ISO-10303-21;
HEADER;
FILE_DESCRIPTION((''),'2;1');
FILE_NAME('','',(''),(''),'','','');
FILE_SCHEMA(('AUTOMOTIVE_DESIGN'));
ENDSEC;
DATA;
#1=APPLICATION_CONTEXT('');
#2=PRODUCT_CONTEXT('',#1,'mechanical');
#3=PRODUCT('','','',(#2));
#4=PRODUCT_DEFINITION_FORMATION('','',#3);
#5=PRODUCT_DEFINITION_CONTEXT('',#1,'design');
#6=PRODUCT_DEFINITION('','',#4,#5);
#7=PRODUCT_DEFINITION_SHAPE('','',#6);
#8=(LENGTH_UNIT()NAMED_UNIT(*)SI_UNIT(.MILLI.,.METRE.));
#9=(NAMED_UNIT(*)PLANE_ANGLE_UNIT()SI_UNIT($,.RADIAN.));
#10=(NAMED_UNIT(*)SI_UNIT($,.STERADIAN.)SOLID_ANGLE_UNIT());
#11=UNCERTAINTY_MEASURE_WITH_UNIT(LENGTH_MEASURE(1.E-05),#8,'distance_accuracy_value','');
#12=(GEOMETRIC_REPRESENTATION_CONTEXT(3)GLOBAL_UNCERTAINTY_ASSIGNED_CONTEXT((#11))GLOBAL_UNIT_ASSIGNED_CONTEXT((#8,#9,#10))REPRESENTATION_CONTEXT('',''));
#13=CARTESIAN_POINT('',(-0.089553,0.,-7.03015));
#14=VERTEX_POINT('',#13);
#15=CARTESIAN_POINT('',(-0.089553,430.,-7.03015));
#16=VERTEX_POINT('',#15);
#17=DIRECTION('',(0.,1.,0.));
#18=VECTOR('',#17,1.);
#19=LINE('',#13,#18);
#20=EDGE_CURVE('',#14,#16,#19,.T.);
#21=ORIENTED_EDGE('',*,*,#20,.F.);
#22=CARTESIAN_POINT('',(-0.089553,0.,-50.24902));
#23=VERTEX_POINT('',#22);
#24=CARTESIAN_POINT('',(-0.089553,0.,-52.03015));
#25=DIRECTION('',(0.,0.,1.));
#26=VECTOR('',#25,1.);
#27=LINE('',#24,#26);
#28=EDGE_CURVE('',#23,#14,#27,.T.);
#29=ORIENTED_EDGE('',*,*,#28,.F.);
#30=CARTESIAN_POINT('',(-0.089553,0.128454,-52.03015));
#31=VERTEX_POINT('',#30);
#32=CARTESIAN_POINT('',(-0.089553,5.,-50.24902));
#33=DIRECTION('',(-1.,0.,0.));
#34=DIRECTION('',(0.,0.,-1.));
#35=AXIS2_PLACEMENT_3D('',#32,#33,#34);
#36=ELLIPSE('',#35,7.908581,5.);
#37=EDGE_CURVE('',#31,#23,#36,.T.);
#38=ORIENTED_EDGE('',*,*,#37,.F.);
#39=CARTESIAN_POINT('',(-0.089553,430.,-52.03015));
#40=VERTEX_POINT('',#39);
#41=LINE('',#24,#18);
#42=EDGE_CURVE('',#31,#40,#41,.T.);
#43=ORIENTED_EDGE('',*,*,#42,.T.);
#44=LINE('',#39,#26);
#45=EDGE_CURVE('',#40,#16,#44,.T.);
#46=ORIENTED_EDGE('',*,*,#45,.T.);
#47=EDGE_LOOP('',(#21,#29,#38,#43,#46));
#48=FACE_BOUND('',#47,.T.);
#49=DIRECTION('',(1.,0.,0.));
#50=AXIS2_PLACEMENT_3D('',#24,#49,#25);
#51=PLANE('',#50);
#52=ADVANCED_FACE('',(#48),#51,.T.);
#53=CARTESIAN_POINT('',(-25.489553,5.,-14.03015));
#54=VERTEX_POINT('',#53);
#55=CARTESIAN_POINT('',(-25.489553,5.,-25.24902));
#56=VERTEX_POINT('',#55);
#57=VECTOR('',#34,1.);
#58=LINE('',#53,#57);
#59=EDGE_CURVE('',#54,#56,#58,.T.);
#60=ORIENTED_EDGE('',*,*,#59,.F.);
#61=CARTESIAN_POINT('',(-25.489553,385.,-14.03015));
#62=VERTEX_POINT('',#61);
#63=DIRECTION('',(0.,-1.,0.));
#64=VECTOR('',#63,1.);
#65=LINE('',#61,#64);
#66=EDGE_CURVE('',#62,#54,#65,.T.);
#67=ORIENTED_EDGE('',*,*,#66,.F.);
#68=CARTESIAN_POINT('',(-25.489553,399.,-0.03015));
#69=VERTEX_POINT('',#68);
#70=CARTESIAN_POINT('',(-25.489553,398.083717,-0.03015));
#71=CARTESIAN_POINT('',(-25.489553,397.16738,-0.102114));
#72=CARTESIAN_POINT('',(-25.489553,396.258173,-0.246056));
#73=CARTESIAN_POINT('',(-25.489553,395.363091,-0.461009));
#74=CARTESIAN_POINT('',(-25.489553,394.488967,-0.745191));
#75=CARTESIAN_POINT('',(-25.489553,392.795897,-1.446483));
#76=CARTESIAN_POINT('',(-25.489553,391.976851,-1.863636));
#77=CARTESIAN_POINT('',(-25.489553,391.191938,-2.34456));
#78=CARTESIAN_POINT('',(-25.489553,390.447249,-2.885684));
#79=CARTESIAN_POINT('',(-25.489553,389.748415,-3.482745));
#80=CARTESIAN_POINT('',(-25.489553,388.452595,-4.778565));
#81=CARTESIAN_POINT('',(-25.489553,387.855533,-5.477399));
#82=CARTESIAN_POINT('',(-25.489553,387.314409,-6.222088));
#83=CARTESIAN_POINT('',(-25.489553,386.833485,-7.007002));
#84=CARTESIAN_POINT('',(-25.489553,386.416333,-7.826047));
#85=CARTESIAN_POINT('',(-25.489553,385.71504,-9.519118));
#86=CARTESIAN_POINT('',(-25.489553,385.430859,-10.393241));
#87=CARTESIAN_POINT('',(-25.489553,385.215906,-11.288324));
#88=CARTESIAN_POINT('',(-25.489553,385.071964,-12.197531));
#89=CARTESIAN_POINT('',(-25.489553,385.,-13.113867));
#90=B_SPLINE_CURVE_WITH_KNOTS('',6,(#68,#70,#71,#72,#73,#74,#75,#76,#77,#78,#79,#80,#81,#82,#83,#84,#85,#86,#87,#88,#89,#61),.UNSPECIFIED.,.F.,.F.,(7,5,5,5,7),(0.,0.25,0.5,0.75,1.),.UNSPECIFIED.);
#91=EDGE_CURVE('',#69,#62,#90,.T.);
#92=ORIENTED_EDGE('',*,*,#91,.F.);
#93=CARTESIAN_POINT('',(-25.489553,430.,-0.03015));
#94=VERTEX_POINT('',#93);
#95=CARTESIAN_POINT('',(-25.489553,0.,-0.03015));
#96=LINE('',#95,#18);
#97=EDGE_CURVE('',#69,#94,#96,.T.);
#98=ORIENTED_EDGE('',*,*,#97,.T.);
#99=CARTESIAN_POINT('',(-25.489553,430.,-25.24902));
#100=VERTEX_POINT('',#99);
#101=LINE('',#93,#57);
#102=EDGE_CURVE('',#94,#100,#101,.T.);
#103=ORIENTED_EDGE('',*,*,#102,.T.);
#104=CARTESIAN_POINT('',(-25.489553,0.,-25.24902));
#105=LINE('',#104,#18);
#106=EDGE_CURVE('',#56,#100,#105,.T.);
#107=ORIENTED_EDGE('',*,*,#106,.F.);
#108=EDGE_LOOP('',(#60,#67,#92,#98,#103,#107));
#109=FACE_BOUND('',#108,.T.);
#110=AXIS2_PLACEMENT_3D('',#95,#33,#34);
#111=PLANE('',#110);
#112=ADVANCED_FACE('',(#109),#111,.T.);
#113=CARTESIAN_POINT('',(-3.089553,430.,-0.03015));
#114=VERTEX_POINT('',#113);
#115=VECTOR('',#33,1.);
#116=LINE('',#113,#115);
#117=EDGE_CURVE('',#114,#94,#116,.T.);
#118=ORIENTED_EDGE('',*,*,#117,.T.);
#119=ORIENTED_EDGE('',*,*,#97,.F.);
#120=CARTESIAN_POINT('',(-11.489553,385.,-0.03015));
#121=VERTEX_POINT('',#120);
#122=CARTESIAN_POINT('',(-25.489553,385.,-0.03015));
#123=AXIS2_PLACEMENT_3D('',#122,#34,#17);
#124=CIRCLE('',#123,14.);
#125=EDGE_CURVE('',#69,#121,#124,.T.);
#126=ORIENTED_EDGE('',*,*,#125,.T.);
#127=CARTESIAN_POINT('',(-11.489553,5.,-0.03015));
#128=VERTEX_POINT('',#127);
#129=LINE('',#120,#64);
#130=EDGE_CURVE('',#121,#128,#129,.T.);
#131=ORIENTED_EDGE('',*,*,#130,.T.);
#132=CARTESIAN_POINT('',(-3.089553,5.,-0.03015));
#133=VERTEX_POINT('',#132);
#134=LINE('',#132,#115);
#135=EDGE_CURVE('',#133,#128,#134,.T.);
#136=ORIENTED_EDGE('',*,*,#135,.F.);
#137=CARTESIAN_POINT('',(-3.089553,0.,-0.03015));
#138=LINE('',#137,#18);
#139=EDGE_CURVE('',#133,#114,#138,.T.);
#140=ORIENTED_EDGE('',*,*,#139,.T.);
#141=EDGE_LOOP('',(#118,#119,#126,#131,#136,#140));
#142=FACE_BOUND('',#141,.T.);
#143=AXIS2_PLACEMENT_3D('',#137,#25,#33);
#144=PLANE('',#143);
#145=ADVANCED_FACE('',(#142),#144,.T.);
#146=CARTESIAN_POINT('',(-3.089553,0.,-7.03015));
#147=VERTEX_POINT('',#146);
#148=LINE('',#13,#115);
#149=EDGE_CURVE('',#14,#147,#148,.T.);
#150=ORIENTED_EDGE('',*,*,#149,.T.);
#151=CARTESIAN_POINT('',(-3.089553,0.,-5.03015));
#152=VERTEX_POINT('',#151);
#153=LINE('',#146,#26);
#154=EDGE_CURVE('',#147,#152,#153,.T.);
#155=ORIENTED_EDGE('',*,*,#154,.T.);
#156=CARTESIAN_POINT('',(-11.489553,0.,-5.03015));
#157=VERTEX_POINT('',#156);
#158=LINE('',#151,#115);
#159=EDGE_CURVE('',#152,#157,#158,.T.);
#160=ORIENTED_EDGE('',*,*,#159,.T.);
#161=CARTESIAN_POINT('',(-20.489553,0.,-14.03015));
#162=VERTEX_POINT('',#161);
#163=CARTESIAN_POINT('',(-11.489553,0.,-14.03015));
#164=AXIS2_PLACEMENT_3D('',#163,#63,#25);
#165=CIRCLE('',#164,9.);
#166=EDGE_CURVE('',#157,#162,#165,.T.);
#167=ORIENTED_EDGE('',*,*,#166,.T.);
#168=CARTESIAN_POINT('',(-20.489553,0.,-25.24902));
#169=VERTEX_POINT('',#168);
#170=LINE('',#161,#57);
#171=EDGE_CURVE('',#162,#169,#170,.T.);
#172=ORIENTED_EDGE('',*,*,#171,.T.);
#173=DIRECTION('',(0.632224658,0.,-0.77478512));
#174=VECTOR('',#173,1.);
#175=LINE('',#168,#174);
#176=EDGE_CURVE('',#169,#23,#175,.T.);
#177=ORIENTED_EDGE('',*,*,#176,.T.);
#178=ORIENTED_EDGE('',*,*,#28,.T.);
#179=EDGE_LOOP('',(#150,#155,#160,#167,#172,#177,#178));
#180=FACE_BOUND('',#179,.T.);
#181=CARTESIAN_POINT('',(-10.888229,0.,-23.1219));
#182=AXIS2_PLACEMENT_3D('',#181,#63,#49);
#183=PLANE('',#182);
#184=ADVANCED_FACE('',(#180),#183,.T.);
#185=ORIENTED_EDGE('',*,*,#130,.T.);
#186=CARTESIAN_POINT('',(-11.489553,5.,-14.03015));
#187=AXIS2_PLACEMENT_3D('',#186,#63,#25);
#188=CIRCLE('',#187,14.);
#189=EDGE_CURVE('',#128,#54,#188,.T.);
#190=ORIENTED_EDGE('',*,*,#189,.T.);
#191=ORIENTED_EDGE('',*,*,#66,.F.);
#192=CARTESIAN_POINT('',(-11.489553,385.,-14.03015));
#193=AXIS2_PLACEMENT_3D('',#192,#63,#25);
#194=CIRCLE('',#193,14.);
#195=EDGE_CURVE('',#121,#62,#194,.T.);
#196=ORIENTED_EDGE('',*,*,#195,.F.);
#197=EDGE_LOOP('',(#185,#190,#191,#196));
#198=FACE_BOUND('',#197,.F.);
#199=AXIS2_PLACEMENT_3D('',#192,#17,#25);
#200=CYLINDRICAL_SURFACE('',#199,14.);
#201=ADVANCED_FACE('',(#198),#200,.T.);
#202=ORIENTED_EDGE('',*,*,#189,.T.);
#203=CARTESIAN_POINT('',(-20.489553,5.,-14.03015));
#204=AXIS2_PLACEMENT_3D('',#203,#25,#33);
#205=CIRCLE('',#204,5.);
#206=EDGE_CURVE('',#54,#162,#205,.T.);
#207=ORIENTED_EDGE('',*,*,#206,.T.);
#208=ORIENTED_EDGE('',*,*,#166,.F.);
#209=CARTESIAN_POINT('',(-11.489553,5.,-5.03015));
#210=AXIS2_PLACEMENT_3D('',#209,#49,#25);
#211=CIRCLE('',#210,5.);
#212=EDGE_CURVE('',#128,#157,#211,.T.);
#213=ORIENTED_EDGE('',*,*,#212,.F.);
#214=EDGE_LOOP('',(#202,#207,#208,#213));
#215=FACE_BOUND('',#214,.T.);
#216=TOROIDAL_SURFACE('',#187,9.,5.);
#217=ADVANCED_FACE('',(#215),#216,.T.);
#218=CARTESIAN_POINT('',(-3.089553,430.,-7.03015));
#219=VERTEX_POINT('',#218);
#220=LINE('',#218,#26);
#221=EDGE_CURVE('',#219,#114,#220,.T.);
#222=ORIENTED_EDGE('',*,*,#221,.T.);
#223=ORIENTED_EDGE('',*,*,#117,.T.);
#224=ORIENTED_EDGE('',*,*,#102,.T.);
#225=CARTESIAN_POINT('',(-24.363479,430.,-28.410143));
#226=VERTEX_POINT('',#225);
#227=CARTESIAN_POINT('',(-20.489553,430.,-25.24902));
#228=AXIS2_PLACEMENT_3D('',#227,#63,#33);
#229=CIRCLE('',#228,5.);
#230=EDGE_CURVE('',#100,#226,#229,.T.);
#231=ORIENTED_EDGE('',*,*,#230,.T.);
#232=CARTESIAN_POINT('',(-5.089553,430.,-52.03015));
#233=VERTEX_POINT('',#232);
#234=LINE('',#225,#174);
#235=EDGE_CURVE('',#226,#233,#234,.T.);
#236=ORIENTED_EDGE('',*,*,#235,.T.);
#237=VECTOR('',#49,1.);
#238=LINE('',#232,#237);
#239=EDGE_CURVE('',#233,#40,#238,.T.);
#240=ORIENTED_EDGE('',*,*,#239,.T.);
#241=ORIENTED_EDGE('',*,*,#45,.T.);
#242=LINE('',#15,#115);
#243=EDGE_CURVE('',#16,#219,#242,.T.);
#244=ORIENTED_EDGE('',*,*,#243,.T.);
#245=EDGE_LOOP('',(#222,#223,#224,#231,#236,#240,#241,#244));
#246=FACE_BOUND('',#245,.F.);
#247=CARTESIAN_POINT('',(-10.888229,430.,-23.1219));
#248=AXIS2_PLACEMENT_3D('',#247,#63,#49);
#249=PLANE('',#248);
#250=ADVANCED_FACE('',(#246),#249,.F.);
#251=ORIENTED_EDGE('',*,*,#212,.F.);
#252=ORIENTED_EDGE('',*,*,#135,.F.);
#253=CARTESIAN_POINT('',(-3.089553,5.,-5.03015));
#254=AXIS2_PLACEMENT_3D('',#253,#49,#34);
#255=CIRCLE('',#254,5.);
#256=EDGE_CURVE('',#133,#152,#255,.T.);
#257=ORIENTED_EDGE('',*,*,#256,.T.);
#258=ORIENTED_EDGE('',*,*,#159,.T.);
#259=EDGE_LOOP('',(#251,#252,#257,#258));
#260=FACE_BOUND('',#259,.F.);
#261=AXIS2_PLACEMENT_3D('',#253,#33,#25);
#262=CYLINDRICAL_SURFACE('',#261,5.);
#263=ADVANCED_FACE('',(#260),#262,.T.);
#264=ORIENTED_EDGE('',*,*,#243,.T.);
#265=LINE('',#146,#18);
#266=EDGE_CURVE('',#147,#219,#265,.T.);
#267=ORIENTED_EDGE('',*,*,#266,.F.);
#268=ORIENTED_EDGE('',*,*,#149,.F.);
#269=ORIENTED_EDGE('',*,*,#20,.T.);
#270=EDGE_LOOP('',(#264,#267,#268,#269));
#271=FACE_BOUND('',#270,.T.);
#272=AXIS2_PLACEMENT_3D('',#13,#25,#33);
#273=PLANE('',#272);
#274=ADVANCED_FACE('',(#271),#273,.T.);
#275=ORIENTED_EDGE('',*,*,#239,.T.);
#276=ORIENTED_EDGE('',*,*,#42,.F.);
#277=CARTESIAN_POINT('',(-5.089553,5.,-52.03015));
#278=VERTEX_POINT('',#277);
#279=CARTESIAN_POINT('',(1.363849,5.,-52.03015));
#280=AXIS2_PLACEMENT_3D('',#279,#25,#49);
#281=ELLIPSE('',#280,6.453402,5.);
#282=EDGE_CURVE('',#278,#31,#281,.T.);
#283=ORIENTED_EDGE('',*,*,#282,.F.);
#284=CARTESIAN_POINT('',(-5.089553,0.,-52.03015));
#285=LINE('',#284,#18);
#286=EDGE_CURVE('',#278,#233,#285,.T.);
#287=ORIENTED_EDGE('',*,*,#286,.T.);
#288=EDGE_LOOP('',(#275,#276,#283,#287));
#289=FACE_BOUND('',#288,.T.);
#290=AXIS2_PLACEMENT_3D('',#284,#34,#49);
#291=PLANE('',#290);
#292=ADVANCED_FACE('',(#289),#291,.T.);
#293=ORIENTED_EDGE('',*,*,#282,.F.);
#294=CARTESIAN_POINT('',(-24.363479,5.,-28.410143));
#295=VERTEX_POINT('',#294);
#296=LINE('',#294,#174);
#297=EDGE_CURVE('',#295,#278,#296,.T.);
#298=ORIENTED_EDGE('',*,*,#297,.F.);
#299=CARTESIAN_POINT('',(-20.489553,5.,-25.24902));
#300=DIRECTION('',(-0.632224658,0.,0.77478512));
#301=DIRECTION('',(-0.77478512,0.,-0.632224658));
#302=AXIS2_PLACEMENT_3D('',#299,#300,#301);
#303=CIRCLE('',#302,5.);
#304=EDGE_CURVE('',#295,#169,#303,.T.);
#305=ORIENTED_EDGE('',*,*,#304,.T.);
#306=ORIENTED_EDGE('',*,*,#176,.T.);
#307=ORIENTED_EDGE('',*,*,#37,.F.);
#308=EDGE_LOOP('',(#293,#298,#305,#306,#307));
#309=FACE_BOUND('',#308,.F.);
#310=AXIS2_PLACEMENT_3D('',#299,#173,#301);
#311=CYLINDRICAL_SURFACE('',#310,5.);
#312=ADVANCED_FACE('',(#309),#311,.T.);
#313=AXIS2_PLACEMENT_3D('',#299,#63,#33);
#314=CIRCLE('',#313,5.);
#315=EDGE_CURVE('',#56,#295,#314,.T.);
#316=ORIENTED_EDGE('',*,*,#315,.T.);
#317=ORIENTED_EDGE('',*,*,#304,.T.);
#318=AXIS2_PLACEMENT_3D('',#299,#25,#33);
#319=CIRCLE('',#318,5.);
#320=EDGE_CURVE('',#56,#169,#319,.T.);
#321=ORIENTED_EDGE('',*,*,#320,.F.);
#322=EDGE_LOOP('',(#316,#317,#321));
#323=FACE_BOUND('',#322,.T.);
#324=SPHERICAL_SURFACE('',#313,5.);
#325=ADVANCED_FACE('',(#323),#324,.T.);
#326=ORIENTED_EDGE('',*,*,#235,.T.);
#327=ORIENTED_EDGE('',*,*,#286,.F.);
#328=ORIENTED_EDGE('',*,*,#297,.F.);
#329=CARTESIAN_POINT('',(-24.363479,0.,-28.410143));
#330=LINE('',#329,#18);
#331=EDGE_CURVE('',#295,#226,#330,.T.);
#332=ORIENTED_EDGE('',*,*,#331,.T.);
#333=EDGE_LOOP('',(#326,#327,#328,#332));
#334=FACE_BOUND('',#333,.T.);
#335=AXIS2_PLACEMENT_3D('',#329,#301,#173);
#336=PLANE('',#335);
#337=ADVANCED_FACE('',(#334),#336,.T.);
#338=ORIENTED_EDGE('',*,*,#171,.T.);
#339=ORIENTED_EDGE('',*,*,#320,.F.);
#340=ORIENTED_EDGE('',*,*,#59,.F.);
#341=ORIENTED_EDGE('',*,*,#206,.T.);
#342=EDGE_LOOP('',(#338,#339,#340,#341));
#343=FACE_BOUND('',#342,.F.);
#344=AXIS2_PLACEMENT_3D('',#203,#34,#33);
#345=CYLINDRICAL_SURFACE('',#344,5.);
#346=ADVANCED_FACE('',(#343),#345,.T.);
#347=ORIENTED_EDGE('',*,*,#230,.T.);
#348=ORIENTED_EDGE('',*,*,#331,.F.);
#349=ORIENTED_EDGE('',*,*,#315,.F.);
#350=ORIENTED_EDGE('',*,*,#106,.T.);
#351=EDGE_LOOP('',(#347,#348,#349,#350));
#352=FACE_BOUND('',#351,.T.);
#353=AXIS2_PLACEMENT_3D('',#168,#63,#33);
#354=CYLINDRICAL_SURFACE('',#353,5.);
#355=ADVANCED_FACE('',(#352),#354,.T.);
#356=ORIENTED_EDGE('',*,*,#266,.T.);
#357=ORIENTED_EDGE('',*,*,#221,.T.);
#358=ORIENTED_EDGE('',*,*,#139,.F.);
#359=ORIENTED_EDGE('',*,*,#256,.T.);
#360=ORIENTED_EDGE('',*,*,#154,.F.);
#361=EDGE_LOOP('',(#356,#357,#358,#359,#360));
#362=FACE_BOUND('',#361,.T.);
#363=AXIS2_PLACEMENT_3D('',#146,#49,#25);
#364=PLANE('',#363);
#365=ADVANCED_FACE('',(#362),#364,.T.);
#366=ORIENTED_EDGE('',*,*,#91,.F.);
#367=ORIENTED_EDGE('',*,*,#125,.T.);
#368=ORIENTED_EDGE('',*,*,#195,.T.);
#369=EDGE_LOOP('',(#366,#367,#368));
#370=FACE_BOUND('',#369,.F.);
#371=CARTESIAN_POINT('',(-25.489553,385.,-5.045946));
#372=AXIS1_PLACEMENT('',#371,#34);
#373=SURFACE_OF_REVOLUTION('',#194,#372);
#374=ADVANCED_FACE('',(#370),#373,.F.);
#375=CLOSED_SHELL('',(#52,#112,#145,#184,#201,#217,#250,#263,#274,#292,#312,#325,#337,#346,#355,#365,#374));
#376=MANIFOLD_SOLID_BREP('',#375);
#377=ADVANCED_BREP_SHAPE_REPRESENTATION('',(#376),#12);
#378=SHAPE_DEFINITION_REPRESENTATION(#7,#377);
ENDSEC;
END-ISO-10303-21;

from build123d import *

# Parameters (mm, degrees)
F1_DEPTH = 430
F3_W     = 14
F3_H     = 3.9684094482
F5_DEPTH = 385.0010001
F6_R     = 5


with BuildPart() as f1:
    # F0 (on Front) → F1 (new body)
    with BuildSketch(Plane.XZ):
        with BuildLine():
            Line((-3.0895532303, -0.0301503569), (-25.4895532303, -0.0301503569))
            Line((-25.4895532303, -0.0301503569), (-25.4895532303, -25.2490202056))
            ThreePointArc((-25.4895532303, -25.2490202056), (-25.1996290257, -26.9268718085), (-24.3634788298, -28.4101434948))
            Line((-24.3634788298, -28.4101434948), (-5.0895532303, -52.0301503569))
            Line((-5.0895532303, -52.0301503569), (-0.0895532303, -52.0301503569))
            Line((-0.0895532303, -52.0301503569), (-0.0895532303, -7.0301503569))
            Line((-0.0895532303, -7.0301503569), (-3.0895532303, -7.0301503569))
            Line((-3.0895532303, -7.0301503569), (-3.0895532303, -0.0301503569))
        make_face()
    extrude(amount=-F1_DEPTH)

    # F3 (on offset) → F4 (revolve, cut)
    with BuildSketch(Plane(origin=(0, 385, 0), x_dir=(-1, 0, 0), z_dir=(0, 1, 0))):
        with BuildLine():
            Line((25.4895532303, -14.0301503569), (25.4895532303, -0.0301503569))
            Line((25.4895532303, -0.0301503569), (11.4895532303, -0.0301503569))
            ThreePointArc((11.4895532303, -0.0301503569), (21.3890481669, -4.1306554203), (25.4895532303, -14.0301503569))
        make_face()
        with Locations((18.4895532303, 1.9540543671)):
            Rectangle(F3_W, F3_H)
    revolve(axis=Axis((-25.4895532303, 385, -5.0459456329), (0, 0, -1)), mode=Mode.SUBTRACT)

    # F3 (on offset) → F5 (cut, through all)
    with BuildSketch(Plane(origin=(0, 385, 0), x_dir=(-1, 0, 0), z_dir=(0, 1, 0))):
        with BuildLine():
            Line((25.4895532303, -14.0301503569), (25.4895532303, -0.0301503569))
            Line((25.4895532303, -0.0301503569), (11.4895532303, -0.0301503569))
            ThreePointArc((11.4895532303, -0.0301503569), (21.3890481669, -4.1306554203), (25.4895532303, -14.0301503569))
        make_face()
        with Locations((18.4895532303, 1.9540543671)):
            Rectangle(F3_W, F3_H)
    extrude(amount=-F5_DEPTH, mode=Mode.SUBTRACT)

    # F6
    f6_edges = [f1.edges().sort_by_distance(p)[0] for p in [
        (-7.289553, 0, -0.03015),
    ]]
    fillet(f6_edges, radius=F6_R)


solid = f1.part
